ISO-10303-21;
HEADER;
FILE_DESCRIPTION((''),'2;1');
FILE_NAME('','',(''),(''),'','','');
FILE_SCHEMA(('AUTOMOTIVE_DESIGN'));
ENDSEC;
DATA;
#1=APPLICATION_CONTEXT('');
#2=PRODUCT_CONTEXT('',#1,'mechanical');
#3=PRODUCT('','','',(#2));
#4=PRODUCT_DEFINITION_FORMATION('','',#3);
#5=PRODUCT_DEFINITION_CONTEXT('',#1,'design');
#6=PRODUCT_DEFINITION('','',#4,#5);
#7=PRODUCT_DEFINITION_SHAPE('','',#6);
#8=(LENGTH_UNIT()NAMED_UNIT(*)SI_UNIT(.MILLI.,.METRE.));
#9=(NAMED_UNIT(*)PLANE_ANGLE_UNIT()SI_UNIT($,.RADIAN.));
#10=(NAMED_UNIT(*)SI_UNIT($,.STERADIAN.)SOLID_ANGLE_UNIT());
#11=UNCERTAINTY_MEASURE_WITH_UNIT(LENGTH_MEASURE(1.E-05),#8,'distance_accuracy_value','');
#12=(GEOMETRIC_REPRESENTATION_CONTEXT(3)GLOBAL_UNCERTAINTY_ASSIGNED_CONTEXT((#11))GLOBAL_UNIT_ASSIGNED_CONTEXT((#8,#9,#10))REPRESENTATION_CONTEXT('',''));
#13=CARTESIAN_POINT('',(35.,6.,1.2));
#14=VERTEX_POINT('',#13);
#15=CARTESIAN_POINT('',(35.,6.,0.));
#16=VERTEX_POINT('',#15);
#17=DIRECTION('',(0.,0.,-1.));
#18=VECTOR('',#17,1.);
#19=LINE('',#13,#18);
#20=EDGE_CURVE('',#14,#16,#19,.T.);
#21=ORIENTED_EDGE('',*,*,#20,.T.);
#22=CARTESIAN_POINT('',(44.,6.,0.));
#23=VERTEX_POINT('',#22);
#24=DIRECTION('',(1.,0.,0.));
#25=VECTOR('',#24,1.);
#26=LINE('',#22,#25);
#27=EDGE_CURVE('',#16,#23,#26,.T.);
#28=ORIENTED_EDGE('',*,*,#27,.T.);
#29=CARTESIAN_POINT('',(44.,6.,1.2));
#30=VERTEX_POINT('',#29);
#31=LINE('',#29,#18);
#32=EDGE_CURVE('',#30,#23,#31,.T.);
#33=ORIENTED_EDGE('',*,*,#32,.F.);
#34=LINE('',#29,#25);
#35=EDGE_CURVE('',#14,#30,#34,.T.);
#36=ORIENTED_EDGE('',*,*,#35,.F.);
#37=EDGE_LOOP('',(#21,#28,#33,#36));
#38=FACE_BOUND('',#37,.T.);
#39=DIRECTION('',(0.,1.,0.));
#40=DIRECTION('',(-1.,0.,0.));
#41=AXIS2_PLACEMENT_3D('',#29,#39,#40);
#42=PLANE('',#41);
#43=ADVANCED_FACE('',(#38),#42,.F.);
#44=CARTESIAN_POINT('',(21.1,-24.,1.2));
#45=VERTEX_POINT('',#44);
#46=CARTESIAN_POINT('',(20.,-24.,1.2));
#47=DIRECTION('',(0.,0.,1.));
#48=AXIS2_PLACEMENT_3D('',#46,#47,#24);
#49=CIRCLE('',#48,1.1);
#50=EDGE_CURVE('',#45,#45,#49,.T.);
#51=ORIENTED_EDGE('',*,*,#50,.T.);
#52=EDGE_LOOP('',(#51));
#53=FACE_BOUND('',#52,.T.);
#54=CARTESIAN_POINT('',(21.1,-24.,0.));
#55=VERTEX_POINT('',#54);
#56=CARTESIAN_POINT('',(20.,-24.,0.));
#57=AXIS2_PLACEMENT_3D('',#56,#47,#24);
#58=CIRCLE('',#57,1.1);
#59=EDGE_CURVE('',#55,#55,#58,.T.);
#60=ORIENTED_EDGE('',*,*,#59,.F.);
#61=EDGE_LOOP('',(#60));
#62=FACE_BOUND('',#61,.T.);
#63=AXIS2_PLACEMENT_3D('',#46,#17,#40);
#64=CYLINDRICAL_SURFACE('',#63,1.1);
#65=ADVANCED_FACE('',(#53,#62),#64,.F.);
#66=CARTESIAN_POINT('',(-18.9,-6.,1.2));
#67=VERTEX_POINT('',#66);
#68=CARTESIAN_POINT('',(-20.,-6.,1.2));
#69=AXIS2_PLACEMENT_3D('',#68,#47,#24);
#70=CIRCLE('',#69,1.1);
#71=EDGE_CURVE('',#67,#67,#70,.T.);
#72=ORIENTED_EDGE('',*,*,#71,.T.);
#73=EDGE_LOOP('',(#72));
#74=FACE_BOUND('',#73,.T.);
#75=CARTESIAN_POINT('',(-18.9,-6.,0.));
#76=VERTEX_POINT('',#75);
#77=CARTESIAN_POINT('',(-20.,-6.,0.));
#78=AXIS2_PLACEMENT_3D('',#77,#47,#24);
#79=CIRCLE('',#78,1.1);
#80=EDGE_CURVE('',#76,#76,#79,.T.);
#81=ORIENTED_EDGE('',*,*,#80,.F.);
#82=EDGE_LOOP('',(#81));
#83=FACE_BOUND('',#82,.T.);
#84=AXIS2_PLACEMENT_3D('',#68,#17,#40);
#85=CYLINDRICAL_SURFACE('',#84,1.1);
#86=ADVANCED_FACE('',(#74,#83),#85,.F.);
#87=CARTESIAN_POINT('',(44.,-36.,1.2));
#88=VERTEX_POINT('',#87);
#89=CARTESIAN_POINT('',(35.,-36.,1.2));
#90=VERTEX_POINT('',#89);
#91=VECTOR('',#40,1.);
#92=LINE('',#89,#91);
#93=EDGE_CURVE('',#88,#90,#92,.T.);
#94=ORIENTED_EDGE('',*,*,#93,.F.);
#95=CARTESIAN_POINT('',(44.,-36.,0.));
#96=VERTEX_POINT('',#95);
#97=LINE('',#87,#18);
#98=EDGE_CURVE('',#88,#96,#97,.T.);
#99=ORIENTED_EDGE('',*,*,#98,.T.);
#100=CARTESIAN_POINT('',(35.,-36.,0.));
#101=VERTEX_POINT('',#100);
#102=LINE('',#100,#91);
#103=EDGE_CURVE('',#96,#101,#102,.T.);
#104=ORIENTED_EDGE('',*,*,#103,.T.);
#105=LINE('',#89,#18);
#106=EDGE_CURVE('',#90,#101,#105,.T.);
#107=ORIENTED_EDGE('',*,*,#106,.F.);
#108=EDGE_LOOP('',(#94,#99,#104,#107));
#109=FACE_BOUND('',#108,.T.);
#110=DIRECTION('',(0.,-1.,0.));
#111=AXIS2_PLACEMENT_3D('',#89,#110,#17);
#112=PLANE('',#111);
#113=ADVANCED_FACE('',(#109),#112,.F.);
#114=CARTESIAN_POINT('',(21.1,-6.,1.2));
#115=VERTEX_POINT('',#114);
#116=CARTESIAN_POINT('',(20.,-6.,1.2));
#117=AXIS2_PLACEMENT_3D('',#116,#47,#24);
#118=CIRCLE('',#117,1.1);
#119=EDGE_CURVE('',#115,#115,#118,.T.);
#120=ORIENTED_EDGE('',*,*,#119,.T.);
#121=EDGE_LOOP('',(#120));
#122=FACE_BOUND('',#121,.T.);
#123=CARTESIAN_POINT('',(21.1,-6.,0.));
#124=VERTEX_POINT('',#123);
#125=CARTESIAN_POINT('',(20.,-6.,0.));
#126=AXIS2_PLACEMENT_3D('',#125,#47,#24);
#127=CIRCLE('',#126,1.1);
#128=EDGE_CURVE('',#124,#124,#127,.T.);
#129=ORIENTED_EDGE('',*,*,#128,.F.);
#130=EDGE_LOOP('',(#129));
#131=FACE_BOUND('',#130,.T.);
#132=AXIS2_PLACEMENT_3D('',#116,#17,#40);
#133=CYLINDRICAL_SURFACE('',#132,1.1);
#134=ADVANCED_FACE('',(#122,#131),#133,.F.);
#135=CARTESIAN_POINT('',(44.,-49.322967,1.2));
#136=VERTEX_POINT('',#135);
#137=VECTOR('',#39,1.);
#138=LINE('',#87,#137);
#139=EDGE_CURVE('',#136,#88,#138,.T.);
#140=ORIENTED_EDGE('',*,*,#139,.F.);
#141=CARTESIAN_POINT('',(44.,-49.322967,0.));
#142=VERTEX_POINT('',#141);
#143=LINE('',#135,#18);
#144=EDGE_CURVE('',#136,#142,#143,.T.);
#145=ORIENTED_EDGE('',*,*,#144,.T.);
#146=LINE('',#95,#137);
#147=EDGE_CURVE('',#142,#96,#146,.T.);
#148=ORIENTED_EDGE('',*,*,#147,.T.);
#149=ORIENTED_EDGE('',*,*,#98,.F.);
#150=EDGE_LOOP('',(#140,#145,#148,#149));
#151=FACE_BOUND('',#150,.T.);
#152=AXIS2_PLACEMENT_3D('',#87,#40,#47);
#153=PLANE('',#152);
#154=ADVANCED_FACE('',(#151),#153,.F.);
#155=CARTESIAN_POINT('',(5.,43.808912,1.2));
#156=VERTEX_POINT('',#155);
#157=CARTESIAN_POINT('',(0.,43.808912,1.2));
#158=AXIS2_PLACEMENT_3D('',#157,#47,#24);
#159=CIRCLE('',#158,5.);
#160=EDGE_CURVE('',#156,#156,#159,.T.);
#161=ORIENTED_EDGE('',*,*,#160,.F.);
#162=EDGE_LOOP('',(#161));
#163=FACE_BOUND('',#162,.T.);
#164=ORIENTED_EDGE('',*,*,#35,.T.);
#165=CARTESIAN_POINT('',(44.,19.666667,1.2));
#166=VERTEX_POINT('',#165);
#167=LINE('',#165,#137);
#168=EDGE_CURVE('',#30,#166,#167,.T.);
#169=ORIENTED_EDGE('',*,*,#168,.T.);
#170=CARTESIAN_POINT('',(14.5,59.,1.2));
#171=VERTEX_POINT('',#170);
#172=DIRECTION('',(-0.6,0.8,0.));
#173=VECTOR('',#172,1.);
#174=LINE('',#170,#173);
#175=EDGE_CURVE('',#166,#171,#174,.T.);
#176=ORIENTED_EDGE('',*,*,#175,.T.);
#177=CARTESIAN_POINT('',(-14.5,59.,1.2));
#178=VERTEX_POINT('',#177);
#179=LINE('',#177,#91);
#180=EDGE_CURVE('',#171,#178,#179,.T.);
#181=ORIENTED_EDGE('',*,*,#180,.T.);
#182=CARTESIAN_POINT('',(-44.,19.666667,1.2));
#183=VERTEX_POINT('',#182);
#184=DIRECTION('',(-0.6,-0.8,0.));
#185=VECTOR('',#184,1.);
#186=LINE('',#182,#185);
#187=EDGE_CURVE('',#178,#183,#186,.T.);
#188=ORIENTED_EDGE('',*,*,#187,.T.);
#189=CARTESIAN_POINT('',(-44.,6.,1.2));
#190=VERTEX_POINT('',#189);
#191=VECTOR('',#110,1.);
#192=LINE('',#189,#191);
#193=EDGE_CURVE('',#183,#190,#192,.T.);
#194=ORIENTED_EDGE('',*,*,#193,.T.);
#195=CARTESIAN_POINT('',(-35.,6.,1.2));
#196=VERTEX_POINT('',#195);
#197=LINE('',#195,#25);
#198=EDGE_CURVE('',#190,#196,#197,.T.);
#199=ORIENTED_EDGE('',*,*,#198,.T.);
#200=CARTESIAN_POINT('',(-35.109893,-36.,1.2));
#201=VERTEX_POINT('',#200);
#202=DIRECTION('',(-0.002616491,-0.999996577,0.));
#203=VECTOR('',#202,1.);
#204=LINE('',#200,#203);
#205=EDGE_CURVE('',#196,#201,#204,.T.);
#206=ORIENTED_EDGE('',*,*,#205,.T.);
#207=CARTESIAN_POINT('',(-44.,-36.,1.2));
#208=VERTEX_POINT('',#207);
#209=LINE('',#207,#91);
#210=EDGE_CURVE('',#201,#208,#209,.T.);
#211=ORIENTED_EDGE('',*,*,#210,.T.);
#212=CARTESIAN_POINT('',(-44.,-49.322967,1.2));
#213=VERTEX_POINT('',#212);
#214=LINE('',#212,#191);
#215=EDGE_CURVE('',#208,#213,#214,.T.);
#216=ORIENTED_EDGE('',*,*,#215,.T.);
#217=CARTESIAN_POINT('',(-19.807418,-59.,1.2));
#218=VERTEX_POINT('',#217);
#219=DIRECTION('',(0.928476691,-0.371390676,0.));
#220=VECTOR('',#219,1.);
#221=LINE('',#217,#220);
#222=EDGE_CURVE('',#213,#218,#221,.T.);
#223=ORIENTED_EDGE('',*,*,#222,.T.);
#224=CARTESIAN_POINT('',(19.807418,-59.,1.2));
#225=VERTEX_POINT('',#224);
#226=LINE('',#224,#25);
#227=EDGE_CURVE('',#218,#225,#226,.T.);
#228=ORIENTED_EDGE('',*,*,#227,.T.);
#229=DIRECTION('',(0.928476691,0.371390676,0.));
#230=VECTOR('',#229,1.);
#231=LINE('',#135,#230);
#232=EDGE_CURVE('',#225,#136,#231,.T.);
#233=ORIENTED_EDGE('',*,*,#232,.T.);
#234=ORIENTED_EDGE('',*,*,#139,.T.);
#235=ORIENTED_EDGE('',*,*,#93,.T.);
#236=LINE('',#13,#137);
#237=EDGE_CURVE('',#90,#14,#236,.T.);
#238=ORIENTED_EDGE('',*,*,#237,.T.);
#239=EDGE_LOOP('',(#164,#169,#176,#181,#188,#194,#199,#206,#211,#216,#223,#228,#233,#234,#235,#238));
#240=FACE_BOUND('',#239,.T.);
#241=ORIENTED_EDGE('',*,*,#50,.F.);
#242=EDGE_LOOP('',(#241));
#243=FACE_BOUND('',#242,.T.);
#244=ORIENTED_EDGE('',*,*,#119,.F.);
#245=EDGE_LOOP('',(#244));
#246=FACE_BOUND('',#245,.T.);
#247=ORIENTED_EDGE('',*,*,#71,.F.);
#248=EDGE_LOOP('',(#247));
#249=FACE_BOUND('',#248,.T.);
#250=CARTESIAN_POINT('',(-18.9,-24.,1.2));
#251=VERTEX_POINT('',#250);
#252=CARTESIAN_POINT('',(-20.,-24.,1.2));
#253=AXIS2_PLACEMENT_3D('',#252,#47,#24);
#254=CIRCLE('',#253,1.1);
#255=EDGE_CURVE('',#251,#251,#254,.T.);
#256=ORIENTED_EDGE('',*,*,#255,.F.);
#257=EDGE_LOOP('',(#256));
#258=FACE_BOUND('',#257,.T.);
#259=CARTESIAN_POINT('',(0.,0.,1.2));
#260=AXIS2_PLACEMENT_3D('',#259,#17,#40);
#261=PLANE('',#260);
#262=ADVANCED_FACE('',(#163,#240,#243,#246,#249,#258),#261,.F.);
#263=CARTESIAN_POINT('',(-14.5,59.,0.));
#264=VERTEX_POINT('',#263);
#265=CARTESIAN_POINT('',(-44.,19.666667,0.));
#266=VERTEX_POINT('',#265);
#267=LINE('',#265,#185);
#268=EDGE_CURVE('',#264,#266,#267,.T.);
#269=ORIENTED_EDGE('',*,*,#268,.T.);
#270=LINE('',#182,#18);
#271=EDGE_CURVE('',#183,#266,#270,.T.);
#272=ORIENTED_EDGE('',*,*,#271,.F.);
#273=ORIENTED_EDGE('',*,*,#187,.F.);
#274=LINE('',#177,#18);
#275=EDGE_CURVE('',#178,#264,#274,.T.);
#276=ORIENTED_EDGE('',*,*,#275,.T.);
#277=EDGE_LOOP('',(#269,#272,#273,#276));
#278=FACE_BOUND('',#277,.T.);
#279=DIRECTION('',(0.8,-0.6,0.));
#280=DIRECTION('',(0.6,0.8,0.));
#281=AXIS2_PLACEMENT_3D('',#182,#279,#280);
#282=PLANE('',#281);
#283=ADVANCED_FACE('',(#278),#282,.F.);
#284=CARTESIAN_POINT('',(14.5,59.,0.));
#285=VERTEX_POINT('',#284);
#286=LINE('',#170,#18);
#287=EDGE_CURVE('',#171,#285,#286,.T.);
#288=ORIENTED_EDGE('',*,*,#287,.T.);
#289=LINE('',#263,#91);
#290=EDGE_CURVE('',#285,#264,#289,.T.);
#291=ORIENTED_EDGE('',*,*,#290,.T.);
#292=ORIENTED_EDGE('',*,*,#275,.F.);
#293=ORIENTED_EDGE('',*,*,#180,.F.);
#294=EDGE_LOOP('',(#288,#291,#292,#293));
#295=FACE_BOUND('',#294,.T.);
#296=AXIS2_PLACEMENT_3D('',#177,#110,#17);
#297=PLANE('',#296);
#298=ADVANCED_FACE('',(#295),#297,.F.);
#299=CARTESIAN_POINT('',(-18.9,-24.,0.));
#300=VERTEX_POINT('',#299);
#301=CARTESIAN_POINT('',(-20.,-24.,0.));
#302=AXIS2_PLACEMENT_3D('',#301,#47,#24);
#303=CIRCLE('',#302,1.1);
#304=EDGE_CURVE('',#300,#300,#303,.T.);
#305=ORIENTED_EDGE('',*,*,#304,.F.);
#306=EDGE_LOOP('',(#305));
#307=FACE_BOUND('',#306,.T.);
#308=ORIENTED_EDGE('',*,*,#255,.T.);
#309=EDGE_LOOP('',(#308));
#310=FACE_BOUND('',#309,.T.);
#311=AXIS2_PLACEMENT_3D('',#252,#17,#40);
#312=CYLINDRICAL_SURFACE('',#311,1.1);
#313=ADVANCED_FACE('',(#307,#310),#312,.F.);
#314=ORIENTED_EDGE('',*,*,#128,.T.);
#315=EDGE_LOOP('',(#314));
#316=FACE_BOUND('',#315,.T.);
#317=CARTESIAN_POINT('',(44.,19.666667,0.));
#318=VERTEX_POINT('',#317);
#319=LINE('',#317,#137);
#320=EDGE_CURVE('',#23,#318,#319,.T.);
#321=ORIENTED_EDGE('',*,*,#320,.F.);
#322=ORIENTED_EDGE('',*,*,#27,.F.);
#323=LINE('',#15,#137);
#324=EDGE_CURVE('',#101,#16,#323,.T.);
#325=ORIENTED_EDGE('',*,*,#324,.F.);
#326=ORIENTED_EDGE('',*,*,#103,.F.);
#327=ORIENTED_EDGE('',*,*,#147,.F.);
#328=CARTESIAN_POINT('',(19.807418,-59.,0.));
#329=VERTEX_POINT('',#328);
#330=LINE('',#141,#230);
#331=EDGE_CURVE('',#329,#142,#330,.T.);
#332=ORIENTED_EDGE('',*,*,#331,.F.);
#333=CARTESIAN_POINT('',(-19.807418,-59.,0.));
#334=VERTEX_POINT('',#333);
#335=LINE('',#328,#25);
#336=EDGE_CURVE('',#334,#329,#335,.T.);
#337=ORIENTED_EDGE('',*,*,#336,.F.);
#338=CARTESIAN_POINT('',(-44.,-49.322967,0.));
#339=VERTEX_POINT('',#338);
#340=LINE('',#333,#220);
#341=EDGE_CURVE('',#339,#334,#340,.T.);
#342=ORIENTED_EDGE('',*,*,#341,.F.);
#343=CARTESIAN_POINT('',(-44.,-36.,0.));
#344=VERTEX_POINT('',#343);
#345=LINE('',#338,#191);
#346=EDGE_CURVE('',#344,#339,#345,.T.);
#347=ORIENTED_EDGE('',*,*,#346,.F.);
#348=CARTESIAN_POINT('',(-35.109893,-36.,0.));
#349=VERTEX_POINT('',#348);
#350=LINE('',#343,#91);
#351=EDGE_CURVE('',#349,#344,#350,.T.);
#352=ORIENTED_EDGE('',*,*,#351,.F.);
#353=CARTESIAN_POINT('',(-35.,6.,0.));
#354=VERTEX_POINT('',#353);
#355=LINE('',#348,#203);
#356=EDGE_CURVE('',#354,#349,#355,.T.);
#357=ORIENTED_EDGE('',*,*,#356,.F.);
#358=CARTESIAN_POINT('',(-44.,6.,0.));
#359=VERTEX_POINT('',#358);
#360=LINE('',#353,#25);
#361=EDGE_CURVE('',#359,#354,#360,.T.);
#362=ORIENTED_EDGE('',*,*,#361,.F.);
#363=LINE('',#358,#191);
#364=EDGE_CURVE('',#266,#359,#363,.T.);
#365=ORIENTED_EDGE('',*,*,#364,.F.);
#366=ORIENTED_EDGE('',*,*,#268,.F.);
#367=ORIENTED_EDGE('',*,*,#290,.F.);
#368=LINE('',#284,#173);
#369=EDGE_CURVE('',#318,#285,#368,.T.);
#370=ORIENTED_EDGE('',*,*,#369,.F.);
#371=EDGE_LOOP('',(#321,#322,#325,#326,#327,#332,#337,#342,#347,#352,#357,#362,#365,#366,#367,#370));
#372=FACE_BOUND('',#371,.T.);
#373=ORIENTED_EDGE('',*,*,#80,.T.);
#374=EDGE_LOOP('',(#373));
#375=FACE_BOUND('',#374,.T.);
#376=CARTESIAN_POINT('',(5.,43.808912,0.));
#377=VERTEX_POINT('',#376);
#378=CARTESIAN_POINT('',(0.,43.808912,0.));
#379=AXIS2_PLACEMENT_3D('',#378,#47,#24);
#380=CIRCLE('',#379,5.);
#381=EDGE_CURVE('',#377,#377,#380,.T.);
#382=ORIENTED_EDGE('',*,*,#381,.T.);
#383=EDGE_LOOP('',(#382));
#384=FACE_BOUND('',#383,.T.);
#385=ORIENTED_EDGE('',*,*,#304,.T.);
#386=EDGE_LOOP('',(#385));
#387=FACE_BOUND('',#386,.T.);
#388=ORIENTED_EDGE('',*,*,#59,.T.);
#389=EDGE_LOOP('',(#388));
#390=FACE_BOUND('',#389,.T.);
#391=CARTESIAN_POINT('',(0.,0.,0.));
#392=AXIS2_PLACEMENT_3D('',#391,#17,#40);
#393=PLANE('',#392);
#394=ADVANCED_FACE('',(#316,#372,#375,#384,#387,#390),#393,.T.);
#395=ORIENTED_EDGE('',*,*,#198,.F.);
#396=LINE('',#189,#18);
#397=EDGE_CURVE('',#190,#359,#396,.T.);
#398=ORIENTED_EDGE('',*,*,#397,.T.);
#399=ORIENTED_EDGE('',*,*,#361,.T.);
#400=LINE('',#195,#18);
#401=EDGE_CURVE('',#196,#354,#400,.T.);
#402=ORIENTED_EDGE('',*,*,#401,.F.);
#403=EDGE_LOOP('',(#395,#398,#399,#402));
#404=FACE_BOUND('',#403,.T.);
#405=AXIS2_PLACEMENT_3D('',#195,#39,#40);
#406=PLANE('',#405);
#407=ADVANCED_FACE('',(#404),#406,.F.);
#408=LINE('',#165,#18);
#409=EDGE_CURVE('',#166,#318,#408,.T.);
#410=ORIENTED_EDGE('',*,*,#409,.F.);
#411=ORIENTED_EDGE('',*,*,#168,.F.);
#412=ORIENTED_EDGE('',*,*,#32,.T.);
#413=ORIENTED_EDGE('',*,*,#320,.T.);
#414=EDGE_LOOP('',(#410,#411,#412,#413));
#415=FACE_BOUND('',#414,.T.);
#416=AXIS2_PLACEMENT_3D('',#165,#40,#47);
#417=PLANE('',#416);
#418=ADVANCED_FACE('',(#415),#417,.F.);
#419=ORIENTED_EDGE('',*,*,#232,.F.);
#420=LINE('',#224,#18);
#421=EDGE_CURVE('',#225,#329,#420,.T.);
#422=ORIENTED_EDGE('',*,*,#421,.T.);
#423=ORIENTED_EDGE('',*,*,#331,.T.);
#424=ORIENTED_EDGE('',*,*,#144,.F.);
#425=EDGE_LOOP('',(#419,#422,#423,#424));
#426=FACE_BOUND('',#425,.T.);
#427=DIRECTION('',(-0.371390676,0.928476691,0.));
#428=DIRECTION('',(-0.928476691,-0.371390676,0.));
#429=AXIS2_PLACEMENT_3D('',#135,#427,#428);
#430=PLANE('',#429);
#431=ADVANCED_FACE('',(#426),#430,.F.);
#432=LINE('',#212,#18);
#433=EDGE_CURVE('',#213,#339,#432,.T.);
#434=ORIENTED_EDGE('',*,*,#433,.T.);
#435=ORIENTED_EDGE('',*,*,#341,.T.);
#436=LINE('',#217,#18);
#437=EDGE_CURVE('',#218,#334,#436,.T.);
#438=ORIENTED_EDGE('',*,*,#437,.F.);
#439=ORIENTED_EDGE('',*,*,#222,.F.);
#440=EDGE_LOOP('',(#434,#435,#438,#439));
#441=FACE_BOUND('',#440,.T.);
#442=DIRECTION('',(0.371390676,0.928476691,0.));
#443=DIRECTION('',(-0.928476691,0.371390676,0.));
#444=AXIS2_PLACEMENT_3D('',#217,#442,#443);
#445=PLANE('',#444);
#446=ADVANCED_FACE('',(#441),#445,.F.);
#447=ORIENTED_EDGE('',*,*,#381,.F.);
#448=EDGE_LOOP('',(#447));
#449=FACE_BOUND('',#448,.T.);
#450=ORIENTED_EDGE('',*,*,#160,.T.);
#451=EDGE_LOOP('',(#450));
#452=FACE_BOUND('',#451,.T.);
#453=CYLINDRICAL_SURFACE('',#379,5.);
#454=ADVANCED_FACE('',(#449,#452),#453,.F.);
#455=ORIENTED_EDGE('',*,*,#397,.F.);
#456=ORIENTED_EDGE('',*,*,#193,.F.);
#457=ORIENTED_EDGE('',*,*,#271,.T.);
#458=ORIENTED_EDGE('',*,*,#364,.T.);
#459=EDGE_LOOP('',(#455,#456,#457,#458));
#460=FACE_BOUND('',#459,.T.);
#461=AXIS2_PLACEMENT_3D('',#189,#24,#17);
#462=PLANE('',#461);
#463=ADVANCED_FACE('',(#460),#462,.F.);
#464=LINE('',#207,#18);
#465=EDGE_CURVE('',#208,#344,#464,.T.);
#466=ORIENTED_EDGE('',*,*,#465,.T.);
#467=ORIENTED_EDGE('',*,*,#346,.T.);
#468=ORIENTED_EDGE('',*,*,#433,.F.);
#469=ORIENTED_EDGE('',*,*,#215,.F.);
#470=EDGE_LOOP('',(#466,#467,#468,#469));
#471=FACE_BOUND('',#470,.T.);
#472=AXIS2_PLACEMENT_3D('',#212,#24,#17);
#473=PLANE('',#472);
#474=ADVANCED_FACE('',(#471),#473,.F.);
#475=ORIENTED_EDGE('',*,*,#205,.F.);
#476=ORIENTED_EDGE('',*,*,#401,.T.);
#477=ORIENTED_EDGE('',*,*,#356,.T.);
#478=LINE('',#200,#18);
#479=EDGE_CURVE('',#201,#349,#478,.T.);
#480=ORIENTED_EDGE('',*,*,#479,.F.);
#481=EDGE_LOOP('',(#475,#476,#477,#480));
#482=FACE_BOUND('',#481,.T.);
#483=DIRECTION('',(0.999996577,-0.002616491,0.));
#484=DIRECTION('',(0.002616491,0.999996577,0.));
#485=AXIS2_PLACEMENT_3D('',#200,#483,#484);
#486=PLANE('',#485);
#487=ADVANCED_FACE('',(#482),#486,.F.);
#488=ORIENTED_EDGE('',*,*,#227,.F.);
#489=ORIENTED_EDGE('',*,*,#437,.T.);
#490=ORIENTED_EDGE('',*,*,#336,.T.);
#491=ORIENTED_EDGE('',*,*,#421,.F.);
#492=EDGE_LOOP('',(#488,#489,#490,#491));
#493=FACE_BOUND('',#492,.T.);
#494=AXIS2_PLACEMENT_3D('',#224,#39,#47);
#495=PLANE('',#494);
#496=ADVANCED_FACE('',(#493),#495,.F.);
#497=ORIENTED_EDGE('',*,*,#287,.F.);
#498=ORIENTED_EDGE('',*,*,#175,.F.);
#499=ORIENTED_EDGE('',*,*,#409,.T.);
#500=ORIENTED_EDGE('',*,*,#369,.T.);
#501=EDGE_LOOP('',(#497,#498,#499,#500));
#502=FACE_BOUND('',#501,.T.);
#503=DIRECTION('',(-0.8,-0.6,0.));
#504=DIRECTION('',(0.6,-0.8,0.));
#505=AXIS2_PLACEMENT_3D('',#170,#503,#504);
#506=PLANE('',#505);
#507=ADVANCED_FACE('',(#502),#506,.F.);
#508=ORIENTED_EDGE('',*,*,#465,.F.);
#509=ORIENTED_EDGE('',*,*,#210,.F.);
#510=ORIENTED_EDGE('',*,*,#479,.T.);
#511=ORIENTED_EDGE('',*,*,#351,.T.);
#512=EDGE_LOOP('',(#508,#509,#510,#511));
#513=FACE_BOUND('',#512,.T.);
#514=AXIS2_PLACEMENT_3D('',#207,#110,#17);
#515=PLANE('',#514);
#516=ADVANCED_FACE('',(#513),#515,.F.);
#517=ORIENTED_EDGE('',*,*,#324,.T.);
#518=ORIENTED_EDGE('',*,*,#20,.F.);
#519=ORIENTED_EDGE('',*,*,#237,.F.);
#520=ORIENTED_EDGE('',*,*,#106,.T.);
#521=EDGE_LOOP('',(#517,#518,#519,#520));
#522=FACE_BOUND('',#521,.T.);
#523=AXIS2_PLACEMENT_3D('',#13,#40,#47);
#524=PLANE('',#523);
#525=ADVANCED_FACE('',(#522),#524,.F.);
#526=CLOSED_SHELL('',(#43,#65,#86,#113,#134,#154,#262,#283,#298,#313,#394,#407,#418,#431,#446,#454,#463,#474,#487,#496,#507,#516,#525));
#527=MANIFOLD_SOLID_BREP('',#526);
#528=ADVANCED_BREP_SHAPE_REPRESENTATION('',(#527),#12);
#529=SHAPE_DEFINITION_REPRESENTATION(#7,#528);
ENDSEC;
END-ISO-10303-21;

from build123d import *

# Parameters (mm, degrees)
SKETCH1_R           = 1.1
BOSS_EXTRUDE1_DEPTH = 1.2
SKETCH2_R           = 5
CUT_EXTRUDE1_DEPTH  = 74.610053661


with BuildPart() as part:
    # Sketch1 → Boss-Extrude1 (new body)
    with BuildSketch(Plane.XY):
        Polygon((-19.807417596, -59), (-44, -49.322967039), (-44, -36), (-35.109892996, -36), (-35, 6), (-44, 6), (-44, 19.666666667), (-14.5, 59), (14.5, 59), (44, 19.666666667), (44, 6), (35, 6), (35, -36), (44, -36), (44, -49.322967039), (19.807417596, -59), align=None)
        with Locations((-20, -6)):
            Circle(SKETCH1_R, mode=Mode.SUBTRACT)
        with Locations((-20, -24)):
            Circle(SKETCH1_R, mode=Mode.SUBTRACT)
        with Locations((20, -6)):
            Circle(SKETCH1_R, mode=Mode.SUBTRACT)
        with Locations((20, -24)):
            Circle(SKETCH1_R, mode=Mode.SUBTRACT)
    extrude(amount=BOSS_EXTRUDE1_DEPTH)

    # Sketch2 → Cut-Extrude1 (cut, through all)
    with BuildSketch(Plane.XY.offset(1.2)):
        with Locations((0, 43.808911543)):
            Circle(SKETCH2_R)
    extrude(amount=-CUT_EXTRUDE1_DEPTH, mode=Mode.SUBTRACT)


solid = part.part
